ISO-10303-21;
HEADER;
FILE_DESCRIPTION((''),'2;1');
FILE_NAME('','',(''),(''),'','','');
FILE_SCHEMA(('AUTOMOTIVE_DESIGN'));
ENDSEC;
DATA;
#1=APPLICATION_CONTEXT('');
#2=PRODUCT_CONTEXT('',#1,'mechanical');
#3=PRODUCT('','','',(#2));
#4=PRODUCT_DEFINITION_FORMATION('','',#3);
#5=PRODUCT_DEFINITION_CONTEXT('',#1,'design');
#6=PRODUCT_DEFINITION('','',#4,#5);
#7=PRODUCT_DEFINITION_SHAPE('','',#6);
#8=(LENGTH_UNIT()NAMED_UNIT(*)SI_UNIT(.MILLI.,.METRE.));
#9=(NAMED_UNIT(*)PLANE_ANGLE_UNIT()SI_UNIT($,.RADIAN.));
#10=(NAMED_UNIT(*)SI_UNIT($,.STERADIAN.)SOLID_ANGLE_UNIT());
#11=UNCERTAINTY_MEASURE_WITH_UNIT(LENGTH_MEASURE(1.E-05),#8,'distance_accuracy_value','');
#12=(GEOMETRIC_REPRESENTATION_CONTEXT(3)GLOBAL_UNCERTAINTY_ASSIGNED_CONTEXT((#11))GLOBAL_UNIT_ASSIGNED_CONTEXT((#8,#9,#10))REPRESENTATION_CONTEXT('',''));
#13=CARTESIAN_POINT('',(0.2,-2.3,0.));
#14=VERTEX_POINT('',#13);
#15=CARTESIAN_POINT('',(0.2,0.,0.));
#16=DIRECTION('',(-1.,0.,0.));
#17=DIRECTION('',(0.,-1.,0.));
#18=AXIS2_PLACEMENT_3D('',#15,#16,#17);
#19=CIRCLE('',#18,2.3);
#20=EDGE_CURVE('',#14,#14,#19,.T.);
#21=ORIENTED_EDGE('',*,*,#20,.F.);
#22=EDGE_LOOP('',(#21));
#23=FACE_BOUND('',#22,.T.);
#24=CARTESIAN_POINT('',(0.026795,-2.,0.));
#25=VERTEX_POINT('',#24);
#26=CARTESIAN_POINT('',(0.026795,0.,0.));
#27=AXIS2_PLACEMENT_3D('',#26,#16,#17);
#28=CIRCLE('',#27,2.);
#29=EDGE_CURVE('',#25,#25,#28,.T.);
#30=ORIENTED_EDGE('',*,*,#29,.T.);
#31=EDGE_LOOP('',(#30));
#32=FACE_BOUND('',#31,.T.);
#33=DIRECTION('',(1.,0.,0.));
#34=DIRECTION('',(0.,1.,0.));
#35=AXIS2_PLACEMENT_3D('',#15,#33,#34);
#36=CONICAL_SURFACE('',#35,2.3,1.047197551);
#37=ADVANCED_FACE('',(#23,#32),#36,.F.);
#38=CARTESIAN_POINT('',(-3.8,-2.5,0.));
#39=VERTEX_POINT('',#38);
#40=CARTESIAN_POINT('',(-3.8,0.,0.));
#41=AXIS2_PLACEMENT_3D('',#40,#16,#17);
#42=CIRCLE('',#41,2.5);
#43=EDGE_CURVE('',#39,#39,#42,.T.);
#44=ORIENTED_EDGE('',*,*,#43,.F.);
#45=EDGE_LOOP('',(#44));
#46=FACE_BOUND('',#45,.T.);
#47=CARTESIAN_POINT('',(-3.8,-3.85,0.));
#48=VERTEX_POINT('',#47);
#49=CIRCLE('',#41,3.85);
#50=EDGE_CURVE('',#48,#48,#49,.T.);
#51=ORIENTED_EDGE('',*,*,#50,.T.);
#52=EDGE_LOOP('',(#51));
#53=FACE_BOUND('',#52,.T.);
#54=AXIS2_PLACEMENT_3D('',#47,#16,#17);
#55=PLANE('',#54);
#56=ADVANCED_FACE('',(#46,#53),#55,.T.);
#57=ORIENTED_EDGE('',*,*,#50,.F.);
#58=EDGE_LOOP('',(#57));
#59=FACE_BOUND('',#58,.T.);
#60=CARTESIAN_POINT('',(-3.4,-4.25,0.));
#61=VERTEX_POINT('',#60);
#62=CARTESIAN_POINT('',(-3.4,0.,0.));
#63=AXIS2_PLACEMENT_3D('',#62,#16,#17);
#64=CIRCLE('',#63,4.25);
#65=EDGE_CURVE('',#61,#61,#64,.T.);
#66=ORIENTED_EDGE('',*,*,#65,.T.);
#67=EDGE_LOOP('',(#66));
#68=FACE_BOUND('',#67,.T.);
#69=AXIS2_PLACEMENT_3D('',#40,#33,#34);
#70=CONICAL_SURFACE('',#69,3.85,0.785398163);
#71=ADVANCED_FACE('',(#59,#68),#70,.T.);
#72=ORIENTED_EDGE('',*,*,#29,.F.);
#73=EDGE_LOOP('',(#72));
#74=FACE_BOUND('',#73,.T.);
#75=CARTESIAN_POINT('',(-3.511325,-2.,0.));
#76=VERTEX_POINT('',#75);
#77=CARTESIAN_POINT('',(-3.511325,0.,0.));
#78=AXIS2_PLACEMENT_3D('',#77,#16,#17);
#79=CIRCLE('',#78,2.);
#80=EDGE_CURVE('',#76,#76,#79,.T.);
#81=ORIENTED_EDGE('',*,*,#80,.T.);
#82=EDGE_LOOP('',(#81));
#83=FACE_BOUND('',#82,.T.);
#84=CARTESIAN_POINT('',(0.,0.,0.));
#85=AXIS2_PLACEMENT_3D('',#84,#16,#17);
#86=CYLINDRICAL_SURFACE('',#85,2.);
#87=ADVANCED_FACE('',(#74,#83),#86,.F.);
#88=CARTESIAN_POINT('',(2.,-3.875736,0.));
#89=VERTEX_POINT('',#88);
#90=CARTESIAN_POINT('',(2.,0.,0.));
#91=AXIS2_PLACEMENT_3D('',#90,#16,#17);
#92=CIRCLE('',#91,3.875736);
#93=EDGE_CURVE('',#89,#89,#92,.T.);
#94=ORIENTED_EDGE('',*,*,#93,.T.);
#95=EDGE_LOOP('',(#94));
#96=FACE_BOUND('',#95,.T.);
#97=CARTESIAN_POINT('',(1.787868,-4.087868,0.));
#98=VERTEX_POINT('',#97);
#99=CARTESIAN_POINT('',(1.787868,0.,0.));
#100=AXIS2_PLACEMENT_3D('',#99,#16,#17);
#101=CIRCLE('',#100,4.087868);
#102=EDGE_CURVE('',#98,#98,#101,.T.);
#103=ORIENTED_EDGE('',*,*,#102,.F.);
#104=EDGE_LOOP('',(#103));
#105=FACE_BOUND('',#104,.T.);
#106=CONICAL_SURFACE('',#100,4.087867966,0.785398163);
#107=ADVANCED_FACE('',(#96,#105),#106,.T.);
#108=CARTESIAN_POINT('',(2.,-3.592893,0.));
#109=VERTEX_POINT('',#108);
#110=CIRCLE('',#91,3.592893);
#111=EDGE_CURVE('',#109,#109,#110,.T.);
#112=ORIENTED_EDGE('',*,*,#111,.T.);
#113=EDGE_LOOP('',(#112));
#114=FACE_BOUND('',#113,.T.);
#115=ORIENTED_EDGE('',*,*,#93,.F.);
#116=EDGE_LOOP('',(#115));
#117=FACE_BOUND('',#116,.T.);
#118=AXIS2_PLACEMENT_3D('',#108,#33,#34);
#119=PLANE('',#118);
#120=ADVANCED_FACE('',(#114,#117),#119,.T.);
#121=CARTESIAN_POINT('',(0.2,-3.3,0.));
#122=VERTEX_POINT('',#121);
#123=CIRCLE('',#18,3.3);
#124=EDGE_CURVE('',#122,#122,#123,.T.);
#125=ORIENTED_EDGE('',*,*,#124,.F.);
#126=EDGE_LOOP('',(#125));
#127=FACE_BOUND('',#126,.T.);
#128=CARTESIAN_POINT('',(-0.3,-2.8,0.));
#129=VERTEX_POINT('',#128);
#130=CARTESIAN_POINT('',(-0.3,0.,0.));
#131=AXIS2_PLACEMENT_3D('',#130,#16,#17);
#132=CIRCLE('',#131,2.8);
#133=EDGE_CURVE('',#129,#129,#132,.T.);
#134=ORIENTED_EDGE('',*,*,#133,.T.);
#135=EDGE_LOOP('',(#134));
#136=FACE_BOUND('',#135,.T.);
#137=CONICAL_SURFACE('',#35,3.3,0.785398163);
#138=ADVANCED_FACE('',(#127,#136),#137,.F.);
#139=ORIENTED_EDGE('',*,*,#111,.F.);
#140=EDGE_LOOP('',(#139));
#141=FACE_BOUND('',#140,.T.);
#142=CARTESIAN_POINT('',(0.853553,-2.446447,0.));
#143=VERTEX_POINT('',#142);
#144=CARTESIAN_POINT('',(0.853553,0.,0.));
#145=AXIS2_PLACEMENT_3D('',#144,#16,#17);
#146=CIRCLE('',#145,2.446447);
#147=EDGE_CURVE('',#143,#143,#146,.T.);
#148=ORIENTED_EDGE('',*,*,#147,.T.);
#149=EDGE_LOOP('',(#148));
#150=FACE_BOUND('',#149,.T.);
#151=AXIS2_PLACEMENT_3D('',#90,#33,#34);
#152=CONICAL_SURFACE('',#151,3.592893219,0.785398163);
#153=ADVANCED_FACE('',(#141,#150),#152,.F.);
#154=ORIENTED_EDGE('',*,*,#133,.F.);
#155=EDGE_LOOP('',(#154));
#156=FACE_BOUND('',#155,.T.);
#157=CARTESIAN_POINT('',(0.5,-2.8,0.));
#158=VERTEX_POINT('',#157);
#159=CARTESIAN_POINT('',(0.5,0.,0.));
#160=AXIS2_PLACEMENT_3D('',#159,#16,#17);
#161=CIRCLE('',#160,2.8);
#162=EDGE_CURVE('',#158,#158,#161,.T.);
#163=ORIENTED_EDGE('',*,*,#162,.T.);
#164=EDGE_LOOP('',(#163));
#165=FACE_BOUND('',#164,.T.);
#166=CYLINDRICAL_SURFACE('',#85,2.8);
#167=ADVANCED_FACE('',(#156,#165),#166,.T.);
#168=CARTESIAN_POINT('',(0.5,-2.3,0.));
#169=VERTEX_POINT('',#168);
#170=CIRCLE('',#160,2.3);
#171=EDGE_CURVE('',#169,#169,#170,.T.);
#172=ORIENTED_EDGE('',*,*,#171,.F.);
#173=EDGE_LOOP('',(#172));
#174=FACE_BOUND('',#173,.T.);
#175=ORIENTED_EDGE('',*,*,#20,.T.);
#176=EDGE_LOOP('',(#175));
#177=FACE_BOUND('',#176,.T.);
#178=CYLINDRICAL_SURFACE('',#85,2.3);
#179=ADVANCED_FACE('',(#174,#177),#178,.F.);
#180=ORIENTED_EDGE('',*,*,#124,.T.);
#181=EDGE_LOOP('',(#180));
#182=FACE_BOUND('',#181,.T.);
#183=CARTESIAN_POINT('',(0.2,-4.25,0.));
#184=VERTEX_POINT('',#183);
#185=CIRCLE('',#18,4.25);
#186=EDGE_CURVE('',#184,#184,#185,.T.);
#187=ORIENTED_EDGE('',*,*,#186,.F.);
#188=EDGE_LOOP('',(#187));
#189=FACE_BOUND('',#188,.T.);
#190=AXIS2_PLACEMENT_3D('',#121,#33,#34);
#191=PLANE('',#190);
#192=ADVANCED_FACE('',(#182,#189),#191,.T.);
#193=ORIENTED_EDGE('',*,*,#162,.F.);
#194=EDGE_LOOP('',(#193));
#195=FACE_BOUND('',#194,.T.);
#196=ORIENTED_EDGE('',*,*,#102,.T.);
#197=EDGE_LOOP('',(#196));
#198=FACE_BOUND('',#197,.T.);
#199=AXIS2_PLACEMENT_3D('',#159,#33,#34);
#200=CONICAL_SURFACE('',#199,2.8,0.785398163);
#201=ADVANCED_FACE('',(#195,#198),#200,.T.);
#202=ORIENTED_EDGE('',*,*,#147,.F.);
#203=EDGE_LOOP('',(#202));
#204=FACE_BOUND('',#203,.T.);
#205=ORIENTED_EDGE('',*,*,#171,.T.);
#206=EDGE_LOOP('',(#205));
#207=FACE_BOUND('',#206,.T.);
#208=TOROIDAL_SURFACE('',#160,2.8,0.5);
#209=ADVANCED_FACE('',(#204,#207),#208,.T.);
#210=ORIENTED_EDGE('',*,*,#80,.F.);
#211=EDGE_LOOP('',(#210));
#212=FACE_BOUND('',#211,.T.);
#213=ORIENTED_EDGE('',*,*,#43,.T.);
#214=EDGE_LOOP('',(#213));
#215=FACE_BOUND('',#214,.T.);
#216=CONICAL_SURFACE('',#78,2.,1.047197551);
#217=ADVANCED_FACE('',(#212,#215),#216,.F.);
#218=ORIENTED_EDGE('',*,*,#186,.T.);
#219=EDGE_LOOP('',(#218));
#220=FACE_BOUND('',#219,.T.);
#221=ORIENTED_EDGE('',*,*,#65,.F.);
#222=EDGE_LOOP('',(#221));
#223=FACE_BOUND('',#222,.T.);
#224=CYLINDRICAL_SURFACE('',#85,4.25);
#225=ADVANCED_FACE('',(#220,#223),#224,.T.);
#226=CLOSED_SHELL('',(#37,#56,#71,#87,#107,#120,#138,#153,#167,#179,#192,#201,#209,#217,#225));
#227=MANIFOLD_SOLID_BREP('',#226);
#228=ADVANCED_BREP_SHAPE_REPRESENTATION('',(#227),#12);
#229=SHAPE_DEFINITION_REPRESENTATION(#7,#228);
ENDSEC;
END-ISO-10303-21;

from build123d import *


with BuildPart() as part:
    # Эскиз22 → Revolve 1889 (revolve)
    with BuildSketch(Plane.XY):
        with BuildLine():
            Line((0.5, -2.8), (-0.3, -2.8))
            Line((-0.3, -2.8), (0.2, -3.3))
            Line((0.2, -3.3), (0.2, -4.25))
            Line((0.2, -4.25), (-3.4, -4.25))
            Line((-3.4, -4.25), (-3.8, -3.85))
            Line((-3.8, -3.85), (-3.8, -2.5))
            Line((-3.8, -2.5), (-3.511324865, -2))
            Line((-3.511324865, -2), (0.026794919, -2))
            Line((0.026794919, -2), (0.2, -2.3))
            Line((0.2, -2.3), (0.5, -2.3))
            ThreePointArc((0.5, -2.3), (0.691341716, -2.338060234), (0.853553391, -2.446446609))
            Line((0.853553391, -2.446446609), (2, -3.592893219))
            Line((2, -3.592893219), (2, -3.875735931))
            Line((2, -3.875735931), (1.787867966, -4.087867966))
            Line((1.787867966, -4.087867966), (0.5, -2.8))
        make_face()
    revolve(axis=Axis((0, 0, 0), (1, 0, 0)))


solid = part.part
